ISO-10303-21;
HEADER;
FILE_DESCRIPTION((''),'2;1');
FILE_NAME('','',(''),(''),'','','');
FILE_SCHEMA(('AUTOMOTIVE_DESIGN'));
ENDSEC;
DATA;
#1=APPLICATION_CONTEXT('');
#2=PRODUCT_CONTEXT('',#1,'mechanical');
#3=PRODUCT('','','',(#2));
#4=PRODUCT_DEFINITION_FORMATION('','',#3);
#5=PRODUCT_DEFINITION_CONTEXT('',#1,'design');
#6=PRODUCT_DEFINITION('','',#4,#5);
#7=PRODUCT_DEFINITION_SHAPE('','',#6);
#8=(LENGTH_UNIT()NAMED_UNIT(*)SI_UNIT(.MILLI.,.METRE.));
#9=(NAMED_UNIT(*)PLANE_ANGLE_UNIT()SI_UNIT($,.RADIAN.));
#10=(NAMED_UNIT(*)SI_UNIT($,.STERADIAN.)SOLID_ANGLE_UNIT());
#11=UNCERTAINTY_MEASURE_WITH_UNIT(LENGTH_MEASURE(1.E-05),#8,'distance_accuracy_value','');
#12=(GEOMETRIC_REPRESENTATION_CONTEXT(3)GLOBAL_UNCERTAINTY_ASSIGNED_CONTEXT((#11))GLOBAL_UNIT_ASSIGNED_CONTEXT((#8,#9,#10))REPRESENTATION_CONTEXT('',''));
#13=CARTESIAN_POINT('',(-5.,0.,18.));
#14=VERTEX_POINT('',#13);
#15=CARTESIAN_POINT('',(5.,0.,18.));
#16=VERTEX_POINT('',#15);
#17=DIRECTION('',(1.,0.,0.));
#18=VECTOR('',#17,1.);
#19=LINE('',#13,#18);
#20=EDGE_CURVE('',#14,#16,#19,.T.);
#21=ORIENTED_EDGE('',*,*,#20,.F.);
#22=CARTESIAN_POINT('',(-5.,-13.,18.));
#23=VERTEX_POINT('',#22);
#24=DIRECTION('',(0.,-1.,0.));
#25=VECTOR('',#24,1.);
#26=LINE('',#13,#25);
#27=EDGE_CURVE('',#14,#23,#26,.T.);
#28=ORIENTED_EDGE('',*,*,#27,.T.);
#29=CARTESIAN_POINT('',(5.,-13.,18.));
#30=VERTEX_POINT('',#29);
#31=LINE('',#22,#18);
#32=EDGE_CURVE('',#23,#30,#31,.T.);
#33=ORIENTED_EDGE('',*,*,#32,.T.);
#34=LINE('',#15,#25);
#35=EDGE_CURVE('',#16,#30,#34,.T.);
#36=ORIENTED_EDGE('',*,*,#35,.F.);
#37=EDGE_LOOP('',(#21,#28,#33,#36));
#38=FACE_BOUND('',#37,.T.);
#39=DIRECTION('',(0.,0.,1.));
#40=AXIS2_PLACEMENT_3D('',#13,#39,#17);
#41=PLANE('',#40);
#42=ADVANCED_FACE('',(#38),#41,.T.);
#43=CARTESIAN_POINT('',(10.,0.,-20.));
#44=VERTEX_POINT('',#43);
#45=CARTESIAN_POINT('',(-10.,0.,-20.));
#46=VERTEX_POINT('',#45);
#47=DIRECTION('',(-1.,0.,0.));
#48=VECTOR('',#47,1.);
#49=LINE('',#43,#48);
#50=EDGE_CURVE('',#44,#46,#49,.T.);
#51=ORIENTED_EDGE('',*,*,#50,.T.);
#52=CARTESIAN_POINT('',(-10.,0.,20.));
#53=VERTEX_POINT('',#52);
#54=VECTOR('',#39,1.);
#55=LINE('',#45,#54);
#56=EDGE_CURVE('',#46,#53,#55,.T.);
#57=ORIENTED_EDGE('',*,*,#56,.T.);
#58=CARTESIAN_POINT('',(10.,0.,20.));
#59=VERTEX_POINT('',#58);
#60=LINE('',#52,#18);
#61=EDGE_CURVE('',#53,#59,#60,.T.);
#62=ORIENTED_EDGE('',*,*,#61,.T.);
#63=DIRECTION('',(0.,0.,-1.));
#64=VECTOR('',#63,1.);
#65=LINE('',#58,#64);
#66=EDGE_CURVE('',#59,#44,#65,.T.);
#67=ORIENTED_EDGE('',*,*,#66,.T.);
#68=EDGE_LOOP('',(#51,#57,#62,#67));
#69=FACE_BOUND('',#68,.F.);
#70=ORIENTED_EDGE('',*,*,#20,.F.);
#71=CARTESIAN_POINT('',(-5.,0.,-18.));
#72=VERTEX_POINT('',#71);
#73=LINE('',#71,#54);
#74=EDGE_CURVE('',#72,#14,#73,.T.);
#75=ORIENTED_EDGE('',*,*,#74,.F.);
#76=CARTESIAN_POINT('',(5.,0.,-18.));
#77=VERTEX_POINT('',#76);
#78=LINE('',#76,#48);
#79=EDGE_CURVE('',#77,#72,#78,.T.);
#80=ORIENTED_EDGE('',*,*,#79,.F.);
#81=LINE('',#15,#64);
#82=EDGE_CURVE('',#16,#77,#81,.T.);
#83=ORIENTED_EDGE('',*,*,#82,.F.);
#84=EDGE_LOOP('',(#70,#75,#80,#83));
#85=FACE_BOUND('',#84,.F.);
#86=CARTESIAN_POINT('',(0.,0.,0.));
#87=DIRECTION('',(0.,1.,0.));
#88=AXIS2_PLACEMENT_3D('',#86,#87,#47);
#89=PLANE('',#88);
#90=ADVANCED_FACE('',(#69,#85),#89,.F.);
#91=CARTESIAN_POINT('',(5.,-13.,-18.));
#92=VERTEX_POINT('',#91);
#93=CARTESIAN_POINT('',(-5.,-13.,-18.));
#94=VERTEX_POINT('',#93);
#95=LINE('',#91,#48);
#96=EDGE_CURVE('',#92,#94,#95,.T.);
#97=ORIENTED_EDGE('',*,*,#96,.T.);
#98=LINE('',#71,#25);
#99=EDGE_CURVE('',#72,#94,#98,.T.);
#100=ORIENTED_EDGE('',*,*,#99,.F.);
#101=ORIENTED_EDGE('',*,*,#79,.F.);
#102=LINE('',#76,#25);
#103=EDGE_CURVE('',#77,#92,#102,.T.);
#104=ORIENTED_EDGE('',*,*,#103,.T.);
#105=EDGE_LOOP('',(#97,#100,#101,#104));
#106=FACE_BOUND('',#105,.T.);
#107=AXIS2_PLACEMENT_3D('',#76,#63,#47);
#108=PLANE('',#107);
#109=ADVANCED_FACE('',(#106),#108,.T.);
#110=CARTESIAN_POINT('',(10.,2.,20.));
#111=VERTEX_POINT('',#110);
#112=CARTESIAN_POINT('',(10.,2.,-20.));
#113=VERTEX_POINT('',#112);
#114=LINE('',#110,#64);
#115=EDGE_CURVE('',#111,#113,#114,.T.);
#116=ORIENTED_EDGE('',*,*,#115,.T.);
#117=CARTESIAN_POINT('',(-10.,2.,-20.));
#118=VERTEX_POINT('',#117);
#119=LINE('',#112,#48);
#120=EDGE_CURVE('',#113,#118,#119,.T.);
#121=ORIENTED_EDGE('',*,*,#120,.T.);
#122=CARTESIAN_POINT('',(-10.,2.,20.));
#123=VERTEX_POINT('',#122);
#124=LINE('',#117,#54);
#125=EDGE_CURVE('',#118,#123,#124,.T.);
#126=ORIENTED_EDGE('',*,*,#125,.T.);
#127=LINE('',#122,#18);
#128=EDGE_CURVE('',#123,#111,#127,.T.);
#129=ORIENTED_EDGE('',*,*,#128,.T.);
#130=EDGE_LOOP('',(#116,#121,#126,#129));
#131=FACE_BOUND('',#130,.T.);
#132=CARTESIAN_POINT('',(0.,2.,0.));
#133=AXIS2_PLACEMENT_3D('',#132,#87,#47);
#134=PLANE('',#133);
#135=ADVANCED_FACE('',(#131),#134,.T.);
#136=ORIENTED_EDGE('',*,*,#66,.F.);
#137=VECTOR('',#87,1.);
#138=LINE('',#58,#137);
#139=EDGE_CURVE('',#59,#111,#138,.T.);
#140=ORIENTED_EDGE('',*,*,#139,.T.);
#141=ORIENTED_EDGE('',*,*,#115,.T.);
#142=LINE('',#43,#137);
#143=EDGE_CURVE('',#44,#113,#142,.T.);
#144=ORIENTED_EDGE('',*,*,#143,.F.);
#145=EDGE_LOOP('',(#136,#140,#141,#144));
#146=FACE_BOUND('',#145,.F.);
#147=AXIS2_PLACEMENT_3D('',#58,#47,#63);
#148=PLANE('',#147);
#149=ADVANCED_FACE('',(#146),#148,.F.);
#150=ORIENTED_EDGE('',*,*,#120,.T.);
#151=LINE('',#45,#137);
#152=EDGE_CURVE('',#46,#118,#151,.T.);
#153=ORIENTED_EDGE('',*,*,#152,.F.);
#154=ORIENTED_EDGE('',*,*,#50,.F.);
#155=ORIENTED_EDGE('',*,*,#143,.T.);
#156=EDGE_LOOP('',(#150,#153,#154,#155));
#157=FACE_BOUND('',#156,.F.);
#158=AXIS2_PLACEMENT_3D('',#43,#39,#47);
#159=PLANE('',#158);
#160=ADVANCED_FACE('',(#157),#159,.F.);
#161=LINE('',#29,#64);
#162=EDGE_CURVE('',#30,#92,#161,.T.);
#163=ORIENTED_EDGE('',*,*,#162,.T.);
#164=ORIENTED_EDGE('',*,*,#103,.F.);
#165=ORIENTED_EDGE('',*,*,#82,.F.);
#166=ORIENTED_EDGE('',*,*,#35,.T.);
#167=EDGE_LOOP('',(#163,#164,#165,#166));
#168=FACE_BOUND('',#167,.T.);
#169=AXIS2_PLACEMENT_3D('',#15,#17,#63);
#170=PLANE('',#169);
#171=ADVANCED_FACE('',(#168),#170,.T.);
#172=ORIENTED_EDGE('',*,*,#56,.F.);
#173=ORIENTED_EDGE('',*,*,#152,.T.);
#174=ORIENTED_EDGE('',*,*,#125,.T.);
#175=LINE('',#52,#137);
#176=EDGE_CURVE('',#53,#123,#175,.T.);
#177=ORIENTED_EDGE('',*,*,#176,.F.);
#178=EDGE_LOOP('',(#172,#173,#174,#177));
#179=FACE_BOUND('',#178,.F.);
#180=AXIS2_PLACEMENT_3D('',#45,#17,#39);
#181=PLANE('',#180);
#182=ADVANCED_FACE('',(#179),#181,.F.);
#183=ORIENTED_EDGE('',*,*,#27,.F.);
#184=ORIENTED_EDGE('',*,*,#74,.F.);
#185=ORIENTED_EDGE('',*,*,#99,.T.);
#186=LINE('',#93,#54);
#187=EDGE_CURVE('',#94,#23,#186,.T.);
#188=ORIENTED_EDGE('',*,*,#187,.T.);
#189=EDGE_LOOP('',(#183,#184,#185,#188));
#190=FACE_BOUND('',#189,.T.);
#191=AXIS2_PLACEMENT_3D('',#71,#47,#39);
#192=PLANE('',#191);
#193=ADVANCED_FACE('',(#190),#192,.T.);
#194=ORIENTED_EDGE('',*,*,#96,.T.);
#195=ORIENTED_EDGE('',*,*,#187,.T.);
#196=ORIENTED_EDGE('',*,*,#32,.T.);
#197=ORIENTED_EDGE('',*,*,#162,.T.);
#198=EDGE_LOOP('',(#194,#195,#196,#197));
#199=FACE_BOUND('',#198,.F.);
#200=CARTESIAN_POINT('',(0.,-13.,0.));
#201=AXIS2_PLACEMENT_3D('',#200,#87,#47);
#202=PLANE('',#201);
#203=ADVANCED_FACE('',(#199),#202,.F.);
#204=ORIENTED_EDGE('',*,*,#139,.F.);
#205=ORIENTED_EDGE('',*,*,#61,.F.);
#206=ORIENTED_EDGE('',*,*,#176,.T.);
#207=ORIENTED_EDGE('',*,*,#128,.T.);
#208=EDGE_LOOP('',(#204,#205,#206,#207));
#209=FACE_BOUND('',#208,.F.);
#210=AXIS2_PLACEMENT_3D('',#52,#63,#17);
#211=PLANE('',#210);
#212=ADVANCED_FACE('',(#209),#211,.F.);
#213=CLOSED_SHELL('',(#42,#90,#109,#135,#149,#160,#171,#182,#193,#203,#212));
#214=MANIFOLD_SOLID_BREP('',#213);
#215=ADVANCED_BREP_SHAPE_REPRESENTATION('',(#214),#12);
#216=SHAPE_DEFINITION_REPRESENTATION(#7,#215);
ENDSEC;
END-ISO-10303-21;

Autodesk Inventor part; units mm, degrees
ref_plane "YZ Plane" through (0, 0, 0) normal (1, 0, 0) x (0, 1, 0)
ref_plane "XZ Plane" through (0, 0, 0) normal (0, 1, 0) x (-1, 0, 0)
ref_plane "XY Plane" through (0, 0, 0) normal (0, 0, 1) x (1, 0, 0)
sketch "スケッチ1" plane through (0, 0, 0) normal (0, 1, 0) x (-1, 0, 0)
  line L0 (10, 20) -> (-10, 20)
  line L1 (-10, 20) -> (-10, -20)
  line L2 (-10, -20) -> (10, -20)
  line L3 (10, -20) -> (10, 20)
  line L4 (10, 20) -> (-10, -20) construction
  line L5 (-10, 20) -> (10, -20) construction
  line L6 (5, 18) -> (-5, 18)
  line L7 (-5, 18) -> (-5, -18)
  line L8 (-5, -18) -> (5, -18)
  line L9 (5, -18) -> (5, 18)
  line L10 (5, 18) -> (-5, -18) construction
  line L11 (-5, 18) -> (5, -18) construction
  point P0 (0, 0)
  dimension "d0" = 40
  dimension "d1" = 20
  dimension "d2" = 2
  dimension "d3" = 10
extrude "押し出し1" add sketch "スケッチ1" along normal blind 2 contours L3 L2 L1 L0 | L9 L8 L7 L6
extrude "押し出し2" add sketch "スケッチ1" against normal blind 13 contours L9 L8 L7 L6
properties part number "i2chub"
